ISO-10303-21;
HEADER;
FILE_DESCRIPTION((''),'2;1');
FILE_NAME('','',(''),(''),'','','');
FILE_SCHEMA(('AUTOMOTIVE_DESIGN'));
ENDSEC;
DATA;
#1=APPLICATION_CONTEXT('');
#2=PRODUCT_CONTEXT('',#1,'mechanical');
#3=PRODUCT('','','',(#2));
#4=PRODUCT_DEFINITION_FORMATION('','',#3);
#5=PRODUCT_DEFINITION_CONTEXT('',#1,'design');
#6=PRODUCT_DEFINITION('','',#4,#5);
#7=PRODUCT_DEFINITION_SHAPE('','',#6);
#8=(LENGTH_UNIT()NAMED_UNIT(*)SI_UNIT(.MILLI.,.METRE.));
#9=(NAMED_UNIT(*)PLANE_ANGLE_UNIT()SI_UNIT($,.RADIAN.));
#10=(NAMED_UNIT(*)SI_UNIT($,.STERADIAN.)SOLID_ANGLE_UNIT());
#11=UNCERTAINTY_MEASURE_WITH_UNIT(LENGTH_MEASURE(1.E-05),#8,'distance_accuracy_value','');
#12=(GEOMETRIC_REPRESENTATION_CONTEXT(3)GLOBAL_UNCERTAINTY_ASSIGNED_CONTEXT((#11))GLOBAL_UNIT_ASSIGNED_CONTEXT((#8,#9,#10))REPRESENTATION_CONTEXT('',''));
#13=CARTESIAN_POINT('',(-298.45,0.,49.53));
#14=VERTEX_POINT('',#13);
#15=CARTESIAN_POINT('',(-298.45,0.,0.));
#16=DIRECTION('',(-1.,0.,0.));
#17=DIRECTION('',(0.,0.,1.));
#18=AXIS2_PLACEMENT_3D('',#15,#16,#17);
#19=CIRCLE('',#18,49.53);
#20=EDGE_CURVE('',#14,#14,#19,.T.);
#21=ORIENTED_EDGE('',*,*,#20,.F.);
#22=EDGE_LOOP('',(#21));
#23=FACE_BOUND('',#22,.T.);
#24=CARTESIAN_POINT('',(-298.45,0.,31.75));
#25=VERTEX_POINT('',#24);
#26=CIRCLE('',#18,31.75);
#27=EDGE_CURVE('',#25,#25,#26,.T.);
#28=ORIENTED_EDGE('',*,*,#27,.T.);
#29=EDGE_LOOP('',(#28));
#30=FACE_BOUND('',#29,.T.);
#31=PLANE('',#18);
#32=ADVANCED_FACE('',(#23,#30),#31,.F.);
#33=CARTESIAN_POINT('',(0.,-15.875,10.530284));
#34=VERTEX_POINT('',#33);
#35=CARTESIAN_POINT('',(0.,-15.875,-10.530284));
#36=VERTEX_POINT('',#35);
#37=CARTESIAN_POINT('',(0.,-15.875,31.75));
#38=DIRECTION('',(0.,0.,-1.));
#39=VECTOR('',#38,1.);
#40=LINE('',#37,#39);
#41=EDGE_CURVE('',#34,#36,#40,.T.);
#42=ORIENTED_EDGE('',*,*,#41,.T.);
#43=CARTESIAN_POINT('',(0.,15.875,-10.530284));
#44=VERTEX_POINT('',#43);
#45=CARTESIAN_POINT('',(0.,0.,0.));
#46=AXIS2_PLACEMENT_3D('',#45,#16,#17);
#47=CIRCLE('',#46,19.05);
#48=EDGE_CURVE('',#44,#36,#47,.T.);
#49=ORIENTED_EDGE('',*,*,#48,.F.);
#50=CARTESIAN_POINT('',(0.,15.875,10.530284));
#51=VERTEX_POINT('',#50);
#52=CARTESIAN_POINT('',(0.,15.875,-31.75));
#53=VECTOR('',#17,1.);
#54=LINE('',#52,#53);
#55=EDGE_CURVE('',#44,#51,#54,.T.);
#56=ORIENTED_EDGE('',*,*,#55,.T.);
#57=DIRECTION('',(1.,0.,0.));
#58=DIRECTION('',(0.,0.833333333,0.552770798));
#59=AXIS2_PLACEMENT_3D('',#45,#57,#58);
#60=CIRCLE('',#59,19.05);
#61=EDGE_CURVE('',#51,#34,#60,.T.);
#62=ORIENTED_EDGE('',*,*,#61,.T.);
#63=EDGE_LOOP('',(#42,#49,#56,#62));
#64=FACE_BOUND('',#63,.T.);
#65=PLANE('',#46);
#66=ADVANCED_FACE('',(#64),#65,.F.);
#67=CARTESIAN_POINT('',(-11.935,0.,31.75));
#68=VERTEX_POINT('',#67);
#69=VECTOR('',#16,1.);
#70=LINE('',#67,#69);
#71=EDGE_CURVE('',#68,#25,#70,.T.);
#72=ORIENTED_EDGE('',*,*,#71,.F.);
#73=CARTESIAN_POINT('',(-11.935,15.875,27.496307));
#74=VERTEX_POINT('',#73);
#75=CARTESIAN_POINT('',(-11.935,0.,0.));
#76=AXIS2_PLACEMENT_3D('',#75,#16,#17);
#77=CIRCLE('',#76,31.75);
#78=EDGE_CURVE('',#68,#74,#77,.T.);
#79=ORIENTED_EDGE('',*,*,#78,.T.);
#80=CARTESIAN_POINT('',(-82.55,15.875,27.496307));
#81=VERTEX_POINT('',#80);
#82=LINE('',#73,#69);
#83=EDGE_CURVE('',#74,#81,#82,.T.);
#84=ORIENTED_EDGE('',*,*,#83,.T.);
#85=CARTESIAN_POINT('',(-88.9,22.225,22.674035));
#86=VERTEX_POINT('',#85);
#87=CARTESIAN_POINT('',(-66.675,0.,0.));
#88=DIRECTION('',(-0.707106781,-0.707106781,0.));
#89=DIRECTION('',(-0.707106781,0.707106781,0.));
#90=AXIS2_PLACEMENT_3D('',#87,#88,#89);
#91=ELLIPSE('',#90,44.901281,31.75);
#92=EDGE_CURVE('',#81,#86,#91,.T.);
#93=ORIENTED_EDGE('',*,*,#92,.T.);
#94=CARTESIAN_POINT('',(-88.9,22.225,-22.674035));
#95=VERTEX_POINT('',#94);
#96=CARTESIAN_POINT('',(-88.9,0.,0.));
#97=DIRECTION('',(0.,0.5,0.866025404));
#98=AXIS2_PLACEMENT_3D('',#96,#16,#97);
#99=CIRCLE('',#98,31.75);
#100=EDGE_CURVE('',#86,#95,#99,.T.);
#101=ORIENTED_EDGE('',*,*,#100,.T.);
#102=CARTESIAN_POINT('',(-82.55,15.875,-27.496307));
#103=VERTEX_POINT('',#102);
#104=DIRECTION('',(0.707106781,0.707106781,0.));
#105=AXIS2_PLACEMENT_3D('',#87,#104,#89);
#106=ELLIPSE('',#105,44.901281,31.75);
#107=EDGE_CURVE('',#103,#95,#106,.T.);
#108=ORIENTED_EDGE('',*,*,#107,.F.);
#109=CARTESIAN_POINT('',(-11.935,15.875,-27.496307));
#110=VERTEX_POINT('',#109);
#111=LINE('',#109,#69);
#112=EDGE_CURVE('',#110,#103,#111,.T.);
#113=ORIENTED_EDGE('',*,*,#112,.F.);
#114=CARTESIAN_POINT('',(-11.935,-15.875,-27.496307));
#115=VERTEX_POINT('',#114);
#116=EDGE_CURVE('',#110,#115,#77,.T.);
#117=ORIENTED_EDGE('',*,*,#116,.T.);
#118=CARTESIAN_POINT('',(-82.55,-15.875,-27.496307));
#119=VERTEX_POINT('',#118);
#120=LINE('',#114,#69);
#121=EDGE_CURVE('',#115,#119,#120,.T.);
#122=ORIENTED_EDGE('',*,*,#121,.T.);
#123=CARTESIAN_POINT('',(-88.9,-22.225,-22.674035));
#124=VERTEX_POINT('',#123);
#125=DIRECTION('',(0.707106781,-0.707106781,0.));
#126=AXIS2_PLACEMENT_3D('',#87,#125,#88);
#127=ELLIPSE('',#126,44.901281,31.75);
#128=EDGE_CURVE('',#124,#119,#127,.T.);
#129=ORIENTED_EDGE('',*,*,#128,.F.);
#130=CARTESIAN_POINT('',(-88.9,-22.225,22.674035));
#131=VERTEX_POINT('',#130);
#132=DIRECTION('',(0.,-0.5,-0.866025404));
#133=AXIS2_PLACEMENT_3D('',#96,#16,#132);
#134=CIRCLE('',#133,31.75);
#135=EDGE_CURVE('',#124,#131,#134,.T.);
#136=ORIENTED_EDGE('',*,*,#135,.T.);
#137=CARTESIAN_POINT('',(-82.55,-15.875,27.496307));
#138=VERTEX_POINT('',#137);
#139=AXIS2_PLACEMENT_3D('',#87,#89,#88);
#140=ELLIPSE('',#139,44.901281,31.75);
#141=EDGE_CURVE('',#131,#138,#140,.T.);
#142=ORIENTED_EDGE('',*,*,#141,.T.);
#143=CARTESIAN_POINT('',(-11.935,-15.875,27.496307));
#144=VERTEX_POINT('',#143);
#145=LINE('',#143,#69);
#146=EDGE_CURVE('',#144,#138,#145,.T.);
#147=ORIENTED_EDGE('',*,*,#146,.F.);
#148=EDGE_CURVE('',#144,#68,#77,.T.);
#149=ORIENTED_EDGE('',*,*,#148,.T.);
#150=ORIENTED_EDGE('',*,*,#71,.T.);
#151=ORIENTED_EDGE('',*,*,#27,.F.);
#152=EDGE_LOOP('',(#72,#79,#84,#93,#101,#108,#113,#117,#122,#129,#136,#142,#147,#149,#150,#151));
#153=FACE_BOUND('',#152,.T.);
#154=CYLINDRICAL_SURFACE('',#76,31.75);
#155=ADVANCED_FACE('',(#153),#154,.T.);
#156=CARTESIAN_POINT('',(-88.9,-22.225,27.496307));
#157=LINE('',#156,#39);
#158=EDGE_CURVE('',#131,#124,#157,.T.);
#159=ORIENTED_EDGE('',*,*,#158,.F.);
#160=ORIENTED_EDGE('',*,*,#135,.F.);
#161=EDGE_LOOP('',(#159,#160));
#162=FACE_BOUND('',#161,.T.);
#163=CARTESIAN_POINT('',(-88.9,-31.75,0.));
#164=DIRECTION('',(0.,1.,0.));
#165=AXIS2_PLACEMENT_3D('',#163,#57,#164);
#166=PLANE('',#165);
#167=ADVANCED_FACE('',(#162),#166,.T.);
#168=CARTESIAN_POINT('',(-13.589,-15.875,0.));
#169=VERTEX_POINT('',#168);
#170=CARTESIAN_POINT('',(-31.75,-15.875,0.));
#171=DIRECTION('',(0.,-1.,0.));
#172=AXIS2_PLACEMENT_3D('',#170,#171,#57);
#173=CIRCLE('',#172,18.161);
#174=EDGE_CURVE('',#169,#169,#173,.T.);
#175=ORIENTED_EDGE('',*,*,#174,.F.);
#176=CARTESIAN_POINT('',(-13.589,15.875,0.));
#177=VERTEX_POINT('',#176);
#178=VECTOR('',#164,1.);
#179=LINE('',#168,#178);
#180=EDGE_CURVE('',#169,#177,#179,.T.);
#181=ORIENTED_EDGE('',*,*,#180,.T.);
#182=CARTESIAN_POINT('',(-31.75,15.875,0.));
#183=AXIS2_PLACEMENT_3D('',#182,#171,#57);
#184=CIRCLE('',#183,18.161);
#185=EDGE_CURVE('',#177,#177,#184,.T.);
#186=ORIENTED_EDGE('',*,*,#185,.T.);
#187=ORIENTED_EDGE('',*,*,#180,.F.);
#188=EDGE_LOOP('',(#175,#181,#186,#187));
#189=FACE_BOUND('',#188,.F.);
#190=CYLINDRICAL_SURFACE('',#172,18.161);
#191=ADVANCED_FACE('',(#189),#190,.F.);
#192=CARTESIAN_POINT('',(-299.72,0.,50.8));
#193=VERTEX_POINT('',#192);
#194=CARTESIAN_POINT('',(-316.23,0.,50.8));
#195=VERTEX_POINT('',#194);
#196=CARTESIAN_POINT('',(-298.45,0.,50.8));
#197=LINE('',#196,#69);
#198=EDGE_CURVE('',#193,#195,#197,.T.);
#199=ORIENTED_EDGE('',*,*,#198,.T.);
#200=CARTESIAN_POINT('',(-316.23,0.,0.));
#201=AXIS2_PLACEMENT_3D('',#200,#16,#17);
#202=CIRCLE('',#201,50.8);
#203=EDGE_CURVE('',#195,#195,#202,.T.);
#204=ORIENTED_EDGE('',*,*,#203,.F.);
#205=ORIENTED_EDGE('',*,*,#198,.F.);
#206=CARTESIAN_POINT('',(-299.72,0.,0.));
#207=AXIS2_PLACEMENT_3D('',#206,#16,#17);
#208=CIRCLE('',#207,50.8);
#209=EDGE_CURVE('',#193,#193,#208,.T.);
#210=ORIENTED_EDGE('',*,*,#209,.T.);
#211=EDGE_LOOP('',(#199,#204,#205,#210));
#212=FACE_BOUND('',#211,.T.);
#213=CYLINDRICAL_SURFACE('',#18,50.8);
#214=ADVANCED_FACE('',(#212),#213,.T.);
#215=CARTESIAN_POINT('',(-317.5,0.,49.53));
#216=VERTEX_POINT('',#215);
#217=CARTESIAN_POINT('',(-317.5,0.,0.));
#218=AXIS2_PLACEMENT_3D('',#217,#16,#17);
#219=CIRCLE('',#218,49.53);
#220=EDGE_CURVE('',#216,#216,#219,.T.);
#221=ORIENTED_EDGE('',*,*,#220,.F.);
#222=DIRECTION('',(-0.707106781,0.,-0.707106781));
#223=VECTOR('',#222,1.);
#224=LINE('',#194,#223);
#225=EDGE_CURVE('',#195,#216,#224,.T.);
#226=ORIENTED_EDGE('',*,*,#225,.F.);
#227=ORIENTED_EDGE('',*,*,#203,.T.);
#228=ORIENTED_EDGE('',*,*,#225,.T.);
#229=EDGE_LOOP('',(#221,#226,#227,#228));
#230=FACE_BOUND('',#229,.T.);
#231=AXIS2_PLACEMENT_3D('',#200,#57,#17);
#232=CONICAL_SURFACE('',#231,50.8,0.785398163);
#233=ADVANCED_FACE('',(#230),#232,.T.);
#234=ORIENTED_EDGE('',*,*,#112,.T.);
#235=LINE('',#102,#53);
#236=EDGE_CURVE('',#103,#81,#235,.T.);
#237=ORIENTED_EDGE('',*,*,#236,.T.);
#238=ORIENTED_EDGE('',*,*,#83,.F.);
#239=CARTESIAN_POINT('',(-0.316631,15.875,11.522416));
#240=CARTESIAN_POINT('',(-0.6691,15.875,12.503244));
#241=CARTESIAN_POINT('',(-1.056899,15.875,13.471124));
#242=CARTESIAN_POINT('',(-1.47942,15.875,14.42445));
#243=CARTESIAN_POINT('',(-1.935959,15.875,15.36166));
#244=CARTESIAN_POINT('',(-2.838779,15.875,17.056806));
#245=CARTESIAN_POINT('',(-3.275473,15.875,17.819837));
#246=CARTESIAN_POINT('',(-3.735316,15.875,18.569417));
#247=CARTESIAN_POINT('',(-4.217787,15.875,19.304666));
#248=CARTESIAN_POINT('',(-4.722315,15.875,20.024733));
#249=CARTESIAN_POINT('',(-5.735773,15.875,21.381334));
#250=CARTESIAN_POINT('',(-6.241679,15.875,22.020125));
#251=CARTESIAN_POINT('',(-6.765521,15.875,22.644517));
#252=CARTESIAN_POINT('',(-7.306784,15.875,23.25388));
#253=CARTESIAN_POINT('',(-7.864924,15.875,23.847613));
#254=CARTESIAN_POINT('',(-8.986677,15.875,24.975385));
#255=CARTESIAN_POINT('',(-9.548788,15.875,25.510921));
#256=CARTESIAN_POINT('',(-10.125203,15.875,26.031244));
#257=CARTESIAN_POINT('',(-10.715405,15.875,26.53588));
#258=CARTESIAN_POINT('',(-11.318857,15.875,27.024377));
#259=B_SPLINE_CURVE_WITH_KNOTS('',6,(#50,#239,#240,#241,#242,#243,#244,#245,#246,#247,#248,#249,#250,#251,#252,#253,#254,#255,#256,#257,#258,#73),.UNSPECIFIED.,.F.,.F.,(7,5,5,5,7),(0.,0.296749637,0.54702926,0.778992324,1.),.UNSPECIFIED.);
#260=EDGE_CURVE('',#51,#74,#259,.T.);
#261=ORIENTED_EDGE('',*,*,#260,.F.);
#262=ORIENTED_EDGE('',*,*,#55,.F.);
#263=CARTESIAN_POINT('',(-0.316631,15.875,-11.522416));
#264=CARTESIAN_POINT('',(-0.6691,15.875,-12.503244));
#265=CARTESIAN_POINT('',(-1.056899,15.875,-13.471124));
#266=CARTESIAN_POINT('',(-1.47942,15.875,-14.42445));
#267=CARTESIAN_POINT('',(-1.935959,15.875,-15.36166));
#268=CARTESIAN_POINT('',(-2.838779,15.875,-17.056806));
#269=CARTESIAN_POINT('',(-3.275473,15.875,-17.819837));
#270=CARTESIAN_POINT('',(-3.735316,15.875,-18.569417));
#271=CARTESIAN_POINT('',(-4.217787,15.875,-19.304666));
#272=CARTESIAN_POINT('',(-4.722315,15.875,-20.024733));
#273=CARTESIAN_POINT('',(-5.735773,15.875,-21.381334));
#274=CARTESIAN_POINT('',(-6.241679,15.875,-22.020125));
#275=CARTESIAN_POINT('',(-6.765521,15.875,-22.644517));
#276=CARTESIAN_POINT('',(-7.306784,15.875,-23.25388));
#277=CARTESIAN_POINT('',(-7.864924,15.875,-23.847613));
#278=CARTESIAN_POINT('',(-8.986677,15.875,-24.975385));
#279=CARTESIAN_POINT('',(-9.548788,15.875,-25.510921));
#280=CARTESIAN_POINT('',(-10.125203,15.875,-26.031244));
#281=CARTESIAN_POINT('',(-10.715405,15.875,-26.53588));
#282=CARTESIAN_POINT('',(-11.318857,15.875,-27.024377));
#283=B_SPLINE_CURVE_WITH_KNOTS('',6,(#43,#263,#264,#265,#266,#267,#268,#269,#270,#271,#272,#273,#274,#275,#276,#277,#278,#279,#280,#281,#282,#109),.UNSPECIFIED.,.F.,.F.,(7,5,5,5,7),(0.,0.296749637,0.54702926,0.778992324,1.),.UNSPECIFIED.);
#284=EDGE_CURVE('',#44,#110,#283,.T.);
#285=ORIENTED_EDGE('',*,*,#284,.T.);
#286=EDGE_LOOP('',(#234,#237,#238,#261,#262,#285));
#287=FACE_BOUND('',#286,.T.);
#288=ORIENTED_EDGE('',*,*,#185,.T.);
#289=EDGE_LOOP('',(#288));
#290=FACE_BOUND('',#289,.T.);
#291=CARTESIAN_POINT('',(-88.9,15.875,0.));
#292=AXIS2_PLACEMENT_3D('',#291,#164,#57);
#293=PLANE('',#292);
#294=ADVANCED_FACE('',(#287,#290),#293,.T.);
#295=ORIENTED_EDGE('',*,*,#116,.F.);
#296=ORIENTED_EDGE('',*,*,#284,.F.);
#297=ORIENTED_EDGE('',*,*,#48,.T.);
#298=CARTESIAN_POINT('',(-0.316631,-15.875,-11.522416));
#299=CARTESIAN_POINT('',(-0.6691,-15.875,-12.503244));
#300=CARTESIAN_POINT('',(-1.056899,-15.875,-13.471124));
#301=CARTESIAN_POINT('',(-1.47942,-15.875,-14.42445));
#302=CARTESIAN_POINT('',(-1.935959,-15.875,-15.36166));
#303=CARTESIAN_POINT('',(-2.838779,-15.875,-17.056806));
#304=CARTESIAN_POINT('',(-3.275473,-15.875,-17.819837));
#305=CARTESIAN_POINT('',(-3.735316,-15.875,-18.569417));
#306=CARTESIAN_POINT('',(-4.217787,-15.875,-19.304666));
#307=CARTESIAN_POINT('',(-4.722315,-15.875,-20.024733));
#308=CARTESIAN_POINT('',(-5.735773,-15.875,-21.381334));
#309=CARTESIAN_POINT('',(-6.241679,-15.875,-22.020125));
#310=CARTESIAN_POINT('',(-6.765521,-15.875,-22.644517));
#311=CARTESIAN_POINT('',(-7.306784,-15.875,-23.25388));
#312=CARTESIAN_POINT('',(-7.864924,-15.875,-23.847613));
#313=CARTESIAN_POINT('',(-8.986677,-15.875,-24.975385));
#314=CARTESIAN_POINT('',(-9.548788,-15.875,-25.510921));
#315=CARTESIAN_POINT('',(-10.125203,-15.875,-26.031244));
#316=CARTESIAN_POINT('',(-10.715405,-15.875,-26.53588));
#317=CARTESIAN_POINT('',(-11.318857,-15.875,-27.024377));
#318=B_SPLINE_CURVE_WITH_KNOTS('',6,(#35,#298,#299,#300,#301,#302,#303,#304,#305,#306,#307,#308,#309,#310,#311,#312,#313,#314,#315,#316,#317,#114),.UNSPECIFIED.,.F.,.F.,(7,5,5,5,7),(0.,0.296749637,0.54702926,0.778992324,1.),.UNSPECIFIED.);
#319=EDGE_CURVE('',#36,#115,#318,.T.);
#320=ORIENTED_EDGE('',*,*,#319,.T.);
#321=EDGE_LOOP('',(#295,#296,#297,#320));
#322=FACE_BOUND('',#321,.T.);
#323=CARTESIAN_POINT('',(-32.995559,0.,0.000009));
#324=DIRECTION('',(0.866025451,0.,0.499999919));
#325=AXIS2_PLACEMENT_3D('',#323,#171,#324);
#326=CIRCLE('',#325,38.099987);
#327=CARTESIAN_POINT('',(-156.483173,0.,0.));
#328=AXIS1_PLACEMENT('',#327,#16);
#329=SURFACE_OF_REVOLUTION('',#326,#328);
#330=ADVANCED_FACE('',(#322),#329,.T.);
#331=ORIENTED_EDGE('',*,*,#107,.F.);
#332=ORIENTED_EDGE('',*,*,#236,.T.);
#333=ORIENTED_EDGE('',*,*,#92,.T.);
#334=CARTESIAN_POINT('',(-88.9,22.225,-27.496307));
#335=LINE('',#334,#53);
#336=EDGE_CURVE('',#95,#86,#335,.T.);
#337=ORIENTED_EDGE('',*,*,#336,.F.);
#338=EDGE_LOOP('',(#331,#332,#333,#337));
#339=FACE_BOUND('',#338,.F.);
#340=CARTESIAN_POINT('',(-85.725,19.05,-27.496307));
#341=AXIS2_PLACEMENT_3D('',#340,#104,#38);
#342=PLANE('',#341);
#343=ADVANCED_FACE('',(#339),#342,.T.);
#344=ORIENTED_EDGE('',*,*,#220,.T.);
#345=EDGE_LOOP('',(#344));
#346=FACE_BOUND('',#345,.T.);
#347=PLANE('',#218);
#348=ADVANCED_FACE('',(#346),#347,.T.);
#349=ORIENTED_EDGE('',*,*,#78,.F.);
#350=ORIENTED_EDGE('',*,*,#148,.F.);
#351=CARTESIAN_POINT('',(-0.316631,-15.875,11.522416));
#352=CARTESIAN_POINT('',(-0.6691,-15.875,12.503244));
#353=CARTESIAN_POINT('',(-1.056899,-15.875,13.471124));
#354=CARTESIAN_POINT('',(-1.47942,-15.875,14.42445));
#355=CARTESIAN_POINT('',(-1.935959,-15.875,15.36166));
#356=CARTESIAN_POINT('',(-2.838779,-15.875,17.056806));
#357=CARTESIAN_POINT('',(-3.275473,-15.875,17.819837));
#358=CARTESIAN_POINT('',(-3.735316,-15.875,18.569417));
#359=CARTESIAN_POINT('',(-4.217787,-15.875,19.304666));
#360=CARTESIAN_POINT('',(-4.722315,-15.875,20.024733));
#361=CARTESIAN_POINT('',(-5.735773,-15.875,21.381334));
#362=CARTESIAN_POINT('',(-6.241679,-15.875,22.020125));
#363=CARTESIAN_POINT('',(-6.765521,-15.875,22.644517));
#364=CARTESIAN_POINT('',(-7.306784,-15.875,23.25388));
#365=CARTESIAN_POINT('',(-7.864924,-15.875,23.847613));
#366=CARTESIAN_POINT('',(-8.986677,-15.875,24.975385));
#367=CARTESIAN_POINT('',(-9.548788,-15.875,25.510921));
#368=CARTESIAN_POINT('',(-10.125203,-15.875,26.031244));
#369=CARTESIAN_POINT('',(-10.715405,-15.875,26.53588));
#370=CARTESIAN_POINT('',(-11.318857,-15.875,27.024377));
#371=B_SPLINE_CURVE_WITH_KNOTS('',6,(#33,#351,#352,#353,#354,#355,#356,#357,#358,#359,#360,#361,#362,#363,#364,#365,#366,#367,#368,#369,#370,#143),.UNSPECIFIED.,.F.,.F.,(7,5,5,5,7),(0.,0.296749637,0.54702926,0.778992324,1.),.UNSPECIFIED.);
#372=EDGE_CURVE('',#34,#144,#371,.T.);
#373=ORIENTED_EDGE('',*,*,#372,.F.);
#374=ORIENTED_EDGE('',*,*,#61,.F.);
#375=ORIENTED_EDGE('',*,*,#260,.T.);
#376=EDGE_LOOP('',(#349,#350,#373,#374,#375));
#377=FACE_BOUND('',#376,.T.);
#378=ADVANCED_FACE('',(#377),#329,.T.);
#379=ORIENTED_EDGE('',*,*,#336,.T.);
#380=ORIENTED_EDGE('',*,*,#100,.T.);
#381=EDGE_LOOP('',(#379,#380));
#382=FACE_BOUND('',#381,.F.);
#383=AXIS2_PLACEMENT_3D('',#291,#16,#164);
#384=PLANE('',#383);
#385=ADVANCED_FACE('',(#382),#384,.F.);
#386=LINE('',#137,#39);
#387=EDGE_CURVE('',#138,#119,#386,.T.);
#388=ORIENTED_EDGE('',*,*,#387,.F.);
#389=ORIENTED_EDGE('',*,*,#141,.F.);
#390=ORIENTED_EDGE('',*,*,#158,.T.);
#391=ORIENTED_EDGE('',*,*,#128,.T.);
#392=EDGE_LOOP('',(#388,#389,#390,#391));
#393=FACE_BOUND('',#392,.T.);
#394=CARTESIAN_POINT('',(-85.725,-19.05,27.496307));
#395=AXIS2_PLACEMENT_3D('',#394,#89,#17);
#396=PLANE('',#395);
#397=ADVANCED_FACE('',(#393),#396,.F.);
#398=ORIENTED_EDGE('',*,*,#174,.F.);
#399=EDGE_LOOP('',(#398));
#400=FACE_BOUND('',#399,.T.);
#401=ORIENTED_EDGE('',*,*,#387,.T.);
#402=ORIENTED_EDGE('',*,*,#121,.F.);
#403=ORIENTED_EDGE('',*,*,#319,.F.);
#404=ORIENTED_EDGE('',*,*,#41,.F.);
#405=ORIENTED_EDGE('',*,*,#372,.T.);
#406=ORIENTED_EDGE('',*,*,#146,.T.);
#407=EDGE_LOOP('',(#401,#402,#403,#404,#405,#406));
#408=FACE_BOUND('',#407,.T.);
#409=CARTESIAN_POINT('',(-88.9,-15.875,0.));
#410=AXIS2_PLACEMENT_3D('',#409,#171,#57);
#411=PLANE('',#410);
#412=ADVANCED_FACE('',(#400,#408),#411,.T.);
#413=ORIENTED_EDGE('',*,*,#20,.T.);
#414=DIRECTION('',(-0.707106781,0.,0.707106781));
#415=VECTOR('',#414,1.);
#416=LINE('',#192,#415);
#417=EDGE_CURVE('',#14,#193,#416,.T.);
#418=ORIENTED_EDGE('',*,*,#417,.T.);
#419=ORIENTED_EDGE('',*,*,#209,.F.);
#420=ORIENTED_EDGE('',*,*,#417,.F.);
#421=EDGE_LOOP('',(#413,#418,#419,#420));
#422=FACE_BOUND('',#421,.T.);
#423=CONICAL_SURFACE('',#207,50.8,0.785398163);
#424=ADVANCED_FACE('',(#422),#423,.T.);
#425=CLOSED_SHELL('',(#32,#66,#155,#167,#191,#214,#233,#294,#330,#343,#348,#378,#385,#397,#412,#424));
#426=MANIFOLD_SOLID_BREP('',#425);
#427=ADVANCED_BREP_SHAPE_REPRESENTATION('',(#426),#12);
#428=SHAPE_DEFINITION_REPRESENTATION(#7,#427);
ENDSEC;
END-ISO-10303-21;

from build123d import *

# Parameters (mm, degrees)
F2_W     = 88.9
F2_H     = 15.875
F3_DEPTH = 31.75
F4_SIZE  = 6.35
F5_R     = 18.161
F6_DEPTH = 66.676
F7_SIZE  = 1.27


with BuildPart() as f1:
    # F0 (on Front) → F1 (revolve)
    with BuildSketch(Plane.XZ):
        with BuildLine():
            Line((-317.5, 0), (0, 0))
            Line((0, 0), (0, 19.05))
            ThreePointArc((0, 19.05), (-5.231581, 26.09159), (-11.935, 31.75))
            Line((-11.935, 31.75), (-298.45, 31.75))
            Line((-298.45, 31.75), (-298.45, 50.8))
            Line((-298.45, 50.8), (-317.5, 50.8))
            Line((-317.5, 50.8), (-317.5, 0))
        make_face()
    revolve(axis=Axis((-156.483173, 0, 0), (-1, 0, 0)))

    # F2 (on Top) → F3 (cut, symmetric)
    with BuildSketch(Plane.XY):
        with Locations((-44.45, 23.8125)):
            Rectangle(F2_W, F2_H)
        with Locations((-44.45, -23.8125)):
            Rectangle(F2_W, F2_H)
    extrude(amount=F3_DEPTH, both=True, mode=Mode.SUBTRACT)

    # F4
    f4_edges = [f1.edges().sort_by_distance(p)[0] for p in [
        (-88.9, -15.875, 0),
        (-88.9, 15.875, 0),
    ]]
    chamfer(f4_edges, length=F4_SIZE)

    # F5 (on face) → F6 (cut, through all)
    with BuildSketch(Plane.XZ.offset(15.875)):
        with Locations((-31.75, 0)):
            Circle(F5_R)
    extrude(amount=-F6_DEPTH, mode=Mode.SUBTRACT)

    # F7
    f7_edges = [f1.edges().sort_by_distance(p)[0] for p in [
        (-298.45, 0, -50.8),
        (-317.5, 0, -50.8),
    ]]
    chamfer(f7_edges, length=F7_SIZE)


solid = f1.part
